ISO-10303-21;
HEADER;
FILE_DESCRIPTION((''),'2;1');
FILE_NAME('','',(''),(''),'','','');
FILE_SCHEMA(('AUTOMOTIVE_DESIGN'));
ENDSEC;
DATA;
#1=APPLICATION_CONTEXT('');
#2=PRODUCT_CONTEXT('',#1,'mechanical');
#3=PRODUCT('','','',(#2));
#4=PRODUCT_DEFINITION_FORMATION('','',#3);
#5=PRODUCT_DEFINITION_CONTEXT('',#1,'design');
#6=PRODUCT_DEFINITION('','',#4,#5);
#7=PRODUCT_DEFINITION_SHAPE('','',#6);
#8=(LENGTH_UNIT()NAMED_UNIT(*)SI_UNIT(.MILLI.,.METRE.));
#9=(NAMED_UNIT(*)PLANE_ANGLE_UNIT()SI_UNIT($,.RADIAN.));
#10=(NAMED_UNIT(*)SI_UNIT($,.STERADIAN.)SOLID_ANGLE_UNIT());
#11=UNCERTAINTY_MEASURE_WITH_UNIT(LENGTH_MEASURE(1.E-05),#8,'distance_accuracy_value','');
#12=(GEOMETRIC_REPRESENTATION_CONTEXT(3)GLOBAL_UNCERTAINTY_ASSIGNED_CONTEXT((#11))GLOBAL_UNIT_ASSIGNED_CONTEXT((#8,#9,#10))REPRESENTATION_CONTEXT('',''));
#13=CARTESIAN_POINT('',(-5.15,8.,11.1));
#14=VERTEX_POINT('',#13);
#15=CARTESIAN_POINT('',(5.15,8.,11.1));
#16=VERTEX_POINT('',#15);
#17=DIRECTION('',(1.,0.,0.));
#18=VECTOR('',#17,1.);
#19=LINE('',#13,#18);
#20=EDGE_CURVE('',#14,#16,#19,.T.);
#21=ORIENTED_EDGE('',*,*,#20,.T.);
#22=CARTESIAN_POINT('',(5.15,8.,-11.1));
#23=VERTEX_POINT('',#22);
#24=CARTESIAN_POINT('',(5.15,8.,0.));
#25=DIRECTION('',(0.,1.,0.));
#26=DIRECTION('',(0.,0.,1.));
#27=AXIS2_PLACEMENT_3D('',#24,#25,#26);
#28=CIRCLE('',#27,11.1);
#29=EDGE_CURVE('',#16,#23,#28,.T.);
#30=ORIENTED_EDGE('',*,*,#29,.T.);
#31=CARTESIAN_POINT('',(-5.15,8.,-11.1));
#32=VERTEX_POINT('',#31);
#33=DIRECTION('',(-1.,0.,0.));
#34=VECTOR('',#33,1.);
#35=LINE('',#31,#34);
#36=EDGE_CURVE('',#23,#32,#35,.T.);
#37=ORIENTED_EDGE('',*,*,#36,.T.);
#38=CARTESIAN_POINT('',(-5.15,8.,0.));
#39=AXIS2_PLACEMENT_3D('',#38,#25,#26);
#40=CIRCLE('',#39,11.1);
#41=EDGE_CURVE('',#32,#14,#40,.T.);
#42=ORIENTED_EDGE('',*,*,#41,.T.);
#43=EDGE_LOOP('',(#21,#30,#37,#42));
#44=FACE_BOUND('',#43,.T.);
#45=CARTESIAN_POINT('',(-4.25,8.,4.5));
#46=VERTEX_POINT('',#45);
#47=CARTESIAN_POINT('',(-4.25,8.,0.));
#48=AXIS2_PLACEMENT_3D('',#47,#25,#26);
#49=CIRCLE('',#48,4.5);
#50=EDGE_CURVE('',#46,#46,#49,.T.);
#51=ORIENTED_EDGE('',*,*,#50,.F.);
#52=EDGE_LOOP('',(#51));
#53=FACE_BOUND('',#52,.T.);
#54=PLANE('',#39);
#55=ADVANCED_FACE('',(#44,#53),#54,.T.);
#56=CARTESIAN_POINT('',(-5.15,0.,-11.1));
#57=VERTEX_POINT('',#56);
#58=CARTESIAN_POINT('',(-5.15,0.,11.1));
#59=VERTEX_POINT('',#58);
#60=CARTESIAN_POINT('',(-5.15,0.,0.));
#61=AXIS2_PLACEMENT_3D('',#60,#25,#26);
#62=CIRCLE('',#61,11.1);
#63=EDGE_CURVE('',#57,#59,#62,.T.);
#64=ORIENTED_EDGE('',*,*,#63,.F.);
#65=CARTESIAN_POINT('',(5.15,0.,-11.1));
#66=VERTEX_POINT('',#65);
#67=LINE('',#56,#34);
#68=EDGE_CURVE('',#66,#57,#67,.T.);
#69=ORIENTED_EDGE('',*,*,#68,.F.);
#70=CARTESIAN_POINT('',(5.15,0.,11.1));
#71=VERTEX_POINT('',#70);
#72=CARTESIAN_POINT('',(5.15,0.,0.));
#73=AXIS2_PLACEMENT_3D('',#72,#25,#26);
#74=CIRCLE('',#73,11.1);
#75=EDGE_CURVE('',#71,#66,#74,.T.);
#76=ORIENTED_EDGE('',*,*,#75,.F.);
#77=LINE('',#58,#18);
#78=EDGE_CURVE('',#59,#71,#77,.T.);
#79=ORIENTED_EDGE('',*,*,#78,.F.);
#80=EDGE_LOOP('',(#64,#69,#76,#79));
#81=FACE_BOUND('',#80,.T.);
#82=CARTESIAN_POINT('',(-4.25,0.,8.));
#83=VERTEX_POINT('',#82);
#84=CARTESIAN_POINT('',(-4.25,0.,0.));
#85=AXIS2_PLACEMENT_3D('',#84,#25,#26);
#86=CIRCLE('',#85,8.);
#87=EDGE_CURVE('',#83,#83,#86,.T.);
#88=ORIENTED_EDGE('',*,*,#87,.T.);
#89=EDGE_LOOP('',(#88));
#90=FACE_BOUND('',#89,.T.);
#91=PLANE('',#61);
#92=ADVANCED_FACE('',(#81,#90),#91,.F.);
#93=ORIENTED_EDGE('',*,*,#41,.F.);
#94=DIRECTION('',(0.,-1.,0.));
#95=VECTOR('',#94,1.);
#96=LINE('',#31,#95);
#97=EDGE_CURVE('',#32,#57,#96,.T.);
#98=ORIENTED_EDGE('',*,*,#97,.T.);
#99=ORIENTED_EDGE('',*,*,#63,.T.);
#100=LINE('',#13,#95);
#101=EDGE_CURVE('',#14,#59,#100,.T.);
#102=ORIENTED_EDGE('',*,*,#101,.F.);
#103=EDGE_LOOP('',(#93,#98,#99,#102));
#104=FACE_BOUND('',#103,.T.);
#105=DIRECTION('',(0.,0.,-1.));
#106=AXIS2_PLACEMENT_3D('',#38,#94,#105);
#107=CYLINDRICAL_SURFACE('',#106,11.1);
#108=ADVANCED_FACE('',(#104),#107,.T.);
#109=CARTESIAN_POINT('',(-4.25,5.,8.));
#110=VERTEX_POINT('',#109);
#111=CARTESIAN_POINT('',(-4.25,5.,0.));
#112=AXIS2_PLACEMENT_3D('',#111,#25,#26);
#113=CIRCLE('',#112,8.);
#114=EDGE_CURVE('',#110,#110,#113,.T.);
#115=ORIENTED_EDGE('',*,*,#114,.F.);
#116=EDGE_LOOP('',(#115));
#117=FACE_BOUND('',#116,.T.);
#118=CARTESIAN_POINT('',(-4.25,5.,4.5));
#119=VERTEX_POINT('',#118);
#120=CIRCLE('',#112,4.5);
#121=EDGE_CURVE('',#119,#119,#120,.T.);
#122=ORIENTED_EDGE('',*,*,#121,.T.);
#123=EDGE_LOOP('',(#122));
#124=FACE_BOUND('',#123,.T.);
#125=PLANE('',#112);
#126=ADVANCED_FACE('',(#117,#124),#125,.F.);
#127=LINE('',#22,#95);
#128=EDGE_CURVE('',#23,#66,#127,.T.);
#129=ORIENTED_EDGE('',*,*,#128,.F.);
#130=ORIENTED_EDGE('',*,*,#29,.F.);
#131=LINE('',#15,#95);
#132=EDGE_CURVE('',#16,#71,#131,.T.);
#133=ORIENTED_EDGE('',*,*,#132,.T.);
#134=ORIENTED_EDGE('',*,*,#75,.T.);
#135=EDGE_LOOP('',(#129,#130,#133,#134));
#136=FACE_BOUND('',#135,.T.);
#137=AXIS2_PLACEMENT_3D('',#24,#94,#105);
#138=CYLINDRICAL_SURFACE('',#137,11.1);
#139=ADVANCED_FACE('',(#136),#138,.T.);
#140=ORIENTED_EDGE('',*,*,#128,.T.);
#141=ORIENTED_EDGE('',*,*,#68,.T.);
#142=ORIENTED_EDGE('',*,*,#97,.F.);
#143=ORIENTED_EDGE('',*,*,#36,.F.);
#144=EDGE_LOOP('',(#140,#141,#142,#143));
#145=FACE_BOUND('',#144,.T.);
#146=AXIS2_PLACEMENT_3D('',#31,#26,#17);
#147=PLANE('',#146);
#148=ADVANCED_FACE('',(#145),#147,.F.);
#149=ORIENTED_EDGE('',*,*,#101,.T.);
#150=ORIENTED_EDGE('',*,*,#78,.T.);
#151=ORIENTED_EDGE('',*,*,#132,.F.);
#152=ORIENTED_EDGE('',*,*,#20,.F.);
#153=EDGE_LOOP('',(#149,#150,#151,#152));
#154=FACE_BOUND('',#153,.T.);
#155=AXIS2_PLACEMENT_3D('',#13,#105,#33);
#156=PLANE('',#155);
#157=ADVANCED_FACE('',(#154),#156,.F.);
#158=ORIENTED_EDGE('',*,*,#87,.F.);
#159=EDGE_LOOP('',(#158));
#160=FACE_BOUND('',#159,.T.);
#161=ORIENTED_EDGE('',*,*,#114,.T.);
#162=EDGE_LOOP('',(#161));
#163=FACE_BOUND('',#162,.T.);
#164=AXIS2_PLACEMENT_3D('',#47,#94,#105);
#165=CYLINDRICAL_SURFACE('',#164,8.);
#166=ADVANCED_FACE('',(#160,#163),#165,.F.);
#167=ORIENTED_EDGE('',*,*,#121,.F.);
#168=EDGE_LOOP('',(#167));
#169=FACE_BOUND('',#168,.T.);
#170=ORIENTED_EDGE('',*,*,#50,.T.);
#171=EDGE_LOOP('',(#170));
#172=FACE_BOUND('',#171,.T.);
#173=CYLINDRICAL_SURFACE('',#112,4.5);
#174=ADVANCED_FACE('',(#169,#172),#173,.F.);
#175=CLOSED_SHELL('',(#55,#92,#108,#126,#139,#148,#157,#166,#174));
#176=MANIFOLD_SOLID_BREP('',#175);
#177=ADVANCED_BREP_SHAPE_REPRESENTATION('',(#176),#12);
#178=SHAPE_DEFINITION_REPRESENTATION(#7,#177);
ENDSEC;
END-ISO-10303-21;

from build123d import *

# Parameters (mm, degrees)
SKETCH1_R           = 8
BOSS_EXTRUDE1_DEPTH = 8
SKETCH2_R           = 8.214701508
SKETCH2_R_2         = 4.5
BOSS_EXTRUDE2_DEPTH = 3


with BuildPart() as part:
    # Sketch1 → Boss-Extrude1 (new body)
    with BuildSketch(Plane(origin=(0, 0, 0), x_dir=(1, 0, 0), z_dir=(0, 1, 0))):
        with BuildLine():
            Line((-5.15, 11.1), (5.15, 11.1))
            ThreePointArc((5.15, 11.1), (16.25, 0), (5.15, -11.1))
            Line((5.15, -11.1), (-5.15, -11.1))
            ThreePointArc((-5.15, -11.1), (-16.25, 0), (-5.15, 11.1))
        make_face()
        with Locations(Location((-4.25, 0, 0), (0, 0, 270))):
            Circle(SKETCH1_R, mode=Mode.SUBTRACT)
    extrude(amount=BOSS_EXTRUDE1_DEPTH)

    # Sketch2 → Boss-Extrude2 (add)
    with BuildSketch(Plane(origin=(0, 8, 0), x_dir=(1, 0, 0), z_dir=(0, 1, 0))):
        with Locations((-4.25, 0)):
            Circle(SKETCH2_R)
        with Locations(Location((-4.25, 0, 0), (0, 0, 270))):
            Circle(SKETCH2_R_2, mode=Mode.SUBTRACT)
    extrude(amount=-BOSS_EXTRUDE2_DEPTH)


solid = part.part
